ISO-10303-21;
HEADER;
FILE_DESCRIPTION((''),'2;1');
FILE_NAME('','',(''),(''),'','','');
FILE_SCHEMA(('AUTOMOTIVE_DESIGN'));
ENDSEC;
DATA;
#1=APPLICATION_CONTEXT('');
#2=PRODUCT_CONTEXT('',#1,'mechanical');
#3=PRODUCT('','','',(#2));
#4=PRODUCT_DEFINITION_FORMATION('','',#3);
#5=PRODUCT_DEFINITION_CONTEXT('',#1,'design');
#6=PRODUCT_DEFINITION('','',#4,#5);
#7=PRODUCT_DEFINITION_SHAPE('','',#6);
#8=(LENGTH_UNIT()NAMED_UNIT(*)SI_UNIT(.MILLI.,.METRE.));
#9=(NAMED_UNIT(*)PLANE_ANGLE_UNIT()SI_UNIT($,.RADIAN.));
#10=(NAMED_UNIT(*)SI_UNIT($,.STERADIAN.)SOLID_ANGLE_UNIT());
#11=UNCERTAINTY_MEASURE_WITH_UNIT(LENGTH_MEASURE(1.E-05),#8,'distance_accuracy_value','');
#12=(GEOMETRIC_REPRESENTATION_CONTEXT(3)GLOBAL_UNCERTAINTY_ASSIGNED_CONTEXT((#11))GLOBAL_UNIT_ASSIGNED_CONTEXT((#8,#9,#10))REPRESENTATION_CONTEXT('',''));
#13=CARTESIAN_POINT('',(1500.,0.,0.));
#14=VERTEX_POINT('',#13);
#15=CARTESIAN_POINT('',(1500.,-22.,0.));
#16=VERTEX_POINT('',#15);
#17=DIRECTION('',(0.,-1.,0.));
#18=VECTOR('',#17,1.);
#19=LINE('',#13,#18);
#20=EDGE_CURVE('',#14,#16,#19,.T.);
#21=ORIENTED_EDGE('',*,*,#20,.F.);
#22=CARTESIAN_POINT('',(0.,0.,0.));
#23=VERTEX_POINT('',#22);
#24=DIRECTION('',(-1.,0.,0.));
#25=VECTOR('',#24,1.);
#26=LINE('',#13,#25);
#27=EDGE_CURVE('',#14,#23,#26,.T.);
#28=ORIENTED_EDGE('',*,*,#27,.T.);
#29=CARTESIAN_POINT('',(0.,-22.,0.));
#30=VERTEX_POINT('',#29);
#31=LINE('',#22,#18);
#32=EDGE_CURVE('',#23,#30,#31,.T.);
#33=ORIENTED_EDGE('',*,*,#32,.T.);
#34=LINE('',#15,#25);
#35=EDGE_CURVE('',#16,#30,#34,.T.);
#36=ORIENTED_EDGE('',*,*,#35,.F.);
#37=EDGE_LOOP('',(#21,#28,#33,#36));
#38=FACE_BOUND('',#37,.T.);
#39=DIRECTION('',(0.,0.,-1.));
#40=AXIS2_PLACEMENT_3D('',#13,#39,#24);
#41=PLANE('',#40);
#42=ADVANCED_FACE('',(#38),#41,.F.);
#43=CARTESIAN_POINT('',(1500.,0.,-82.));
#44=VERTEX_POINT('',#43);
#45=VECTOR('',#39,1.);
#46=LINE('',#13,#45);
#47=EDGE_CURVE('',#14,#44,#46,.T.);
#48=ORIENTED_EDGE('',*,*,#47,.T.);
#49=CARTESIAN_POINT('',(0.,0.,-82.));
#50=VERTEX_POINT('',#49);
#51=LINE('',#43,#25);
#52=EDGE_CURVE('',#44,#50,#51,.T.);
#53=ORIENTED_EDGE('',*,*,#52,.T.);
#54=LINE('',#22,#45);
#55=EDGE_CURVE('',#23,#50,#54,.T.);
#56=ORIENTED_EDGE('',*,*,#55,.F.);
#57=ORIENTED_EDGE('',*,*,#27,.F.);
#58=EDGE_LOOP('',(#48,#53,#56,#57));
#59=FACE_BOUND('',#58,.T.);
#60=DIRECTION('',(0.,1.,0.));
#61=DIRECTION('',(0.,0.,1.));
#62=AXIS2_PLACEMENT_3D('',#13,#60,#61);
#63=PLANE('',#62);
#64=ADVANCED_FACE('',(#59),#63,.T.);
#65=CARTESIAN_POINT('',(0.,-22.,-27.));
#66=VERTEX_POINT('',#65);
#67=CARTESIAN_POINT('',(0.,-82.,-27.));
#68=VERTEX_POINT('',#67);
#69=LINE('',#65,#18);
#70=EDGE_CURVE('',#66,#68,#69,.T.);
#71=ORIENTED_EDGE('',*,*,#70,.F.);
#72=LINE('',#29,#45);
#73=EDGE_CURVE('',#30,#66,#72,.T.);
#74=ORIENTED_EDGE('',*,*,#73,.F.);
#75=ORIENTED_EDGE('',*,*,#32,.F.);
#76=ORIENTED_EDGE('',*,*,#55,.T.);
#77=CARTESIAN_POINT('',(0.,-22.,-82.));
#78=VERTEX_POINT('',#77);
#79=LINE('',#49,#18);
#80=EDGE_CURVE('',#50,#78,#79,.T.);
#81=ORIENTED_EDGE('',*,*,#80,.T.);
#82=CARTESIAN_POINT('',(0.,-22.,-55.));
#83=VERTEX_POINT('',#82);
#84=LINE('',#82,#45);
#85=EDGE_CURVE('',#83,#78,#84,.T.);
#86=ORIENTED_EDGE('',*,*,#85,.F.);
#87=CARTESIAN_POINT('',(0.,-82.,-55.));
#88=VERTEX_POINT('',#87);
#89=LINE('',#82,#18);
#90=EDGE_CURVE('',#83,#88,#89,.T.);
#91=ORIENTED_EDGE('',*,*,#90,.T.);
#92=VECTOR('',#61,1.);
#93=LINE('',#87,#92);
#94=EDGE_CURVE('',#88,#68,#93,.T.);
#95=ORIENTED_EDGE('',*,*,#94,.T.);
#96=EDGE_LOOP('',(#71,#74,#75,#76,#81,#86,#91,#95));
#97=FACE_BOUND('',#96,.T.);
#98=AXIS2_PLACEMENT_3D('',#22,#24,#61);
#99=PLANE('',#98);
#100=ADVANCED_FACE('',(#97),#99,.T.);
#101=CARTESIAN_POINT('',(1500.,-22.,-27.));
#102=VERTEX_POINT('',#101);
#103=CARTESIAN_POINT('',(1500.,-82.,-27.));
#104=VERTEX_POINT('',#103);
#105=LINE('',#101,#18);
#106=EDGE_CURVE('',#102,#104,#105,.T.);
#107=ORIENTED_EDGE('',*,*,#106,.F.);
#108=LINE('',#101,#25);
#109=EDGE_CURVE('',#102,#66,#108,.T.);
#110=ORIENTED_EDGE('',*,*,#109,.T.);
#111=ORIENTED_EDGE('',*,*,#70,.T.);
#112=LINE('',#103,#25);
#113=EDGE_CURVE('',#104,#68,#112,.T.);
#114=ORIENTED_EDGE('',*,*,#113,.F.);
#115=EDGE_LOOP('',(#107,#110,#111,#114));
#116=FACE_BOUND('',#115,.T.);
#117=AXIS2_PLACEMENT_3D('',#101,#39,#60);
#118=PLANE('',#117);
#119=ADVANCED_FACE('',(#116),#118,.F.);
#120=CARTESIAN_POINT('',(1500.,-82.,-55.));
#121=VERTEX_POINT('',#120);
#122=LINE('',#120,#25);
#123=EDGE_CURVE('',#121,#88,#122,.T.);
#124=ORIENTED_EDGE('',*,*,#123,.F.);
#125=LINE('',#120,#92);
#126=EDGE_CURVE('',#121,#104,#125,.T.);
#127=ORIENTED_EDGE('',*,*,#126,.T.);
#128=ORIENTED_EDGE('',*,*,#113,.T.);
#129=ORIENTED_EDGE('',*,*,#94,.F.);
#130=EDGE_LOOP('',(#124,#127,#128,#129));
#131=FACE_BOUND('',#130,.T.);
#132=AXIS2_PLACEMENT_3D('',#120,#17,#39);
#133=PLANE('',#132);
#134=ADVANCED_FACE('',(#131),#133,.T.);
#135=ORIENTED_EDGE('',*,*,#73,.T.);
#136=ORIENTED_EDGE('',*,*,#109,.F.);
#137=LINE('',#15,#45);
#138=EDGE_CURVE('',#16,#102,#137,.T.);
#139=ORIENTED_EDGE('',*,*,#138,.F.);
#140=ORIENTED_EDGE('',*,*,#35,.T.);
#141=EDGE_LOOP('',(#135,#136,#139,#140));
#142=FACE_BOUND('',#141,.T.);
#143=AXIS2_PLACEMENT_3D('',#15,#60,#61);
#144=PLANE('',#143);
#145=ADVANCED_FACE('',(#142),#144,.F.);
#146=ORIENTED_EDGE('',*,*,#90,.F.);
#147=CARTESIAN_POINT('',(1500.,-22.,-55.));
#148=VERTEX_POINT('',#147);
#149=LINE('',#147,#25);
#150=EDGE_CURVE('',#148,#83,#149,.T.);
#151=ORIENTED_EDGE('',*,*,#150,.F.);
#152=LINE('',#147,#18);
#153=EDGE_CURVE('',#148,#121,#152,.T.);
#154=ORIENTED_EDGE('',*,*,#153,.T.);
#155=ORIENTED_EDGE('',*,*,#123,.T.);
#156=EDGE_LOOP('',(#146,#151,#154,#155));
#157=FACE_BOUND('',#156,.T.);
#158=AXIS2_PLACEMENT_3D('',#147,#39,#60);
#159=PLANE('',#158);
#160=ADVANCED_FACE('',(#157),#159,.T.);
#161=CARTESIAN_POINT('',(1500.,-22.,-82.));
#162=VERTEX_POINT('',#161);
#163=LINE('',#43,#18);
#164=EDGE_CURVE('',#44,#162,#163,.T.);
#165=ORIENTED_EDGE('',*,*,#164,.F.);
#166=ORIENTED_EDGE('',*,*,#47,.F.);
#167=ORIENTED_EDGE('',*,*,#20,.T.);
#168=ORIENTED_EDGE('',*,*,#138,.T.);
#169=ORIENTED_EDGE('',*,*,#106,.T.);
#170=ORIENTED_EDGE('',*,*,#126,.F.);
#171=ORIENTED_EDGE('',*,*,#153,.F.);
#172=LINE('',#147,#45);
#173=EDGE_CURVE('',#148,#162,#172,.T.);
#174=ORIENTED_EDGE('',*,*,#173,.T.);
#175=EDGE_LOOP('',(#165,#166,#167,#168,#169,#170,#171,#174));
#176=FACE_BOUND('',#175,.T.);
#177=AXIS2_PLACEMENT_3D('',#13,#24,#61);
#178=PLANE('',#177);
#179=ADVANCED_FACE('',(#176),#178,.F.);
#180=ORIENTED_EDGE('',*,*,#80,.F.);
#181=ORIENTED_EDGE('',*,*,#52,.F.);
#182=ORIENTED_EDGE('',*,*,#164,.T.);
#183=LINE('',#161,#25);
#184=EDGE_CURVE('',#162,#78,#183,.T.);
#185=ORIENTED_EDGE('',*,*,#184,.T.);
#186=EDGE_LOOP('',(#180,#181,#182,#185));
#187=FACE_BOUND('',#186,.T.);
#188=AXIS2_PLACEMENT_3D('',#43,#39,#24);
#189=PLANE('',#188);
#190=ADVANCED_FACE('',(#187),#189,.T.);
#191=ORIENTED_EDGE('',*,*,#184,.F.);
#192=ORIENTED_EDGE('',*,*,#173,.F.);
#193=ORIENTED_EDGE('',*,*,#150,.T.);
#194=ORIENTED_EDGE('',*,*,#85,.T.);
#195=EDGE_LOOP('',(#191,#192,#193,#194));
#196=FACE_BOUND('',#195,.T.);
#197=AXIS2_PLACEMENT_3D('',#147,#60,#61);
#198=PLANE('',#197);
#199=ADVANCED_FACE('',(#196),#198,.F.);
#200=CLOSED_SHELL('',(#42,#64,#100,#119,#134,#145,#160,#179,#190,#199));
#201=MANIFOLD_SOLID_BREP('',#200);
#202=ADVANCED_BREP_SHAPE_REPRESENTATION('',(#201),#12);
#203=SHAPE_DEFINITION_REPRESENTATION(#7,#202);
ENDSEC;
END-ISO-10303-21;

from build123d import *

# Parameters (mm, degrees)
BOSS_EXTRUDE1_DEPTH = 1500


with BuildPart() as part:
    # Sketch1 → Boss-Extrude1 (new body)
    with BuildSketch(Plane(origin=(0, 0, 0), x_dir=(0, 0, -1), z_dir=(1, 0, 0))):
        Polygon((55, -22), (82, -22), (82, 0), (0, 0), (0, -22), (27, -22), (27, -82), (55, -82), align=None)
    extrude(amount=BOSS_EXTRUDE1_DEPTH)


solid = part.part
